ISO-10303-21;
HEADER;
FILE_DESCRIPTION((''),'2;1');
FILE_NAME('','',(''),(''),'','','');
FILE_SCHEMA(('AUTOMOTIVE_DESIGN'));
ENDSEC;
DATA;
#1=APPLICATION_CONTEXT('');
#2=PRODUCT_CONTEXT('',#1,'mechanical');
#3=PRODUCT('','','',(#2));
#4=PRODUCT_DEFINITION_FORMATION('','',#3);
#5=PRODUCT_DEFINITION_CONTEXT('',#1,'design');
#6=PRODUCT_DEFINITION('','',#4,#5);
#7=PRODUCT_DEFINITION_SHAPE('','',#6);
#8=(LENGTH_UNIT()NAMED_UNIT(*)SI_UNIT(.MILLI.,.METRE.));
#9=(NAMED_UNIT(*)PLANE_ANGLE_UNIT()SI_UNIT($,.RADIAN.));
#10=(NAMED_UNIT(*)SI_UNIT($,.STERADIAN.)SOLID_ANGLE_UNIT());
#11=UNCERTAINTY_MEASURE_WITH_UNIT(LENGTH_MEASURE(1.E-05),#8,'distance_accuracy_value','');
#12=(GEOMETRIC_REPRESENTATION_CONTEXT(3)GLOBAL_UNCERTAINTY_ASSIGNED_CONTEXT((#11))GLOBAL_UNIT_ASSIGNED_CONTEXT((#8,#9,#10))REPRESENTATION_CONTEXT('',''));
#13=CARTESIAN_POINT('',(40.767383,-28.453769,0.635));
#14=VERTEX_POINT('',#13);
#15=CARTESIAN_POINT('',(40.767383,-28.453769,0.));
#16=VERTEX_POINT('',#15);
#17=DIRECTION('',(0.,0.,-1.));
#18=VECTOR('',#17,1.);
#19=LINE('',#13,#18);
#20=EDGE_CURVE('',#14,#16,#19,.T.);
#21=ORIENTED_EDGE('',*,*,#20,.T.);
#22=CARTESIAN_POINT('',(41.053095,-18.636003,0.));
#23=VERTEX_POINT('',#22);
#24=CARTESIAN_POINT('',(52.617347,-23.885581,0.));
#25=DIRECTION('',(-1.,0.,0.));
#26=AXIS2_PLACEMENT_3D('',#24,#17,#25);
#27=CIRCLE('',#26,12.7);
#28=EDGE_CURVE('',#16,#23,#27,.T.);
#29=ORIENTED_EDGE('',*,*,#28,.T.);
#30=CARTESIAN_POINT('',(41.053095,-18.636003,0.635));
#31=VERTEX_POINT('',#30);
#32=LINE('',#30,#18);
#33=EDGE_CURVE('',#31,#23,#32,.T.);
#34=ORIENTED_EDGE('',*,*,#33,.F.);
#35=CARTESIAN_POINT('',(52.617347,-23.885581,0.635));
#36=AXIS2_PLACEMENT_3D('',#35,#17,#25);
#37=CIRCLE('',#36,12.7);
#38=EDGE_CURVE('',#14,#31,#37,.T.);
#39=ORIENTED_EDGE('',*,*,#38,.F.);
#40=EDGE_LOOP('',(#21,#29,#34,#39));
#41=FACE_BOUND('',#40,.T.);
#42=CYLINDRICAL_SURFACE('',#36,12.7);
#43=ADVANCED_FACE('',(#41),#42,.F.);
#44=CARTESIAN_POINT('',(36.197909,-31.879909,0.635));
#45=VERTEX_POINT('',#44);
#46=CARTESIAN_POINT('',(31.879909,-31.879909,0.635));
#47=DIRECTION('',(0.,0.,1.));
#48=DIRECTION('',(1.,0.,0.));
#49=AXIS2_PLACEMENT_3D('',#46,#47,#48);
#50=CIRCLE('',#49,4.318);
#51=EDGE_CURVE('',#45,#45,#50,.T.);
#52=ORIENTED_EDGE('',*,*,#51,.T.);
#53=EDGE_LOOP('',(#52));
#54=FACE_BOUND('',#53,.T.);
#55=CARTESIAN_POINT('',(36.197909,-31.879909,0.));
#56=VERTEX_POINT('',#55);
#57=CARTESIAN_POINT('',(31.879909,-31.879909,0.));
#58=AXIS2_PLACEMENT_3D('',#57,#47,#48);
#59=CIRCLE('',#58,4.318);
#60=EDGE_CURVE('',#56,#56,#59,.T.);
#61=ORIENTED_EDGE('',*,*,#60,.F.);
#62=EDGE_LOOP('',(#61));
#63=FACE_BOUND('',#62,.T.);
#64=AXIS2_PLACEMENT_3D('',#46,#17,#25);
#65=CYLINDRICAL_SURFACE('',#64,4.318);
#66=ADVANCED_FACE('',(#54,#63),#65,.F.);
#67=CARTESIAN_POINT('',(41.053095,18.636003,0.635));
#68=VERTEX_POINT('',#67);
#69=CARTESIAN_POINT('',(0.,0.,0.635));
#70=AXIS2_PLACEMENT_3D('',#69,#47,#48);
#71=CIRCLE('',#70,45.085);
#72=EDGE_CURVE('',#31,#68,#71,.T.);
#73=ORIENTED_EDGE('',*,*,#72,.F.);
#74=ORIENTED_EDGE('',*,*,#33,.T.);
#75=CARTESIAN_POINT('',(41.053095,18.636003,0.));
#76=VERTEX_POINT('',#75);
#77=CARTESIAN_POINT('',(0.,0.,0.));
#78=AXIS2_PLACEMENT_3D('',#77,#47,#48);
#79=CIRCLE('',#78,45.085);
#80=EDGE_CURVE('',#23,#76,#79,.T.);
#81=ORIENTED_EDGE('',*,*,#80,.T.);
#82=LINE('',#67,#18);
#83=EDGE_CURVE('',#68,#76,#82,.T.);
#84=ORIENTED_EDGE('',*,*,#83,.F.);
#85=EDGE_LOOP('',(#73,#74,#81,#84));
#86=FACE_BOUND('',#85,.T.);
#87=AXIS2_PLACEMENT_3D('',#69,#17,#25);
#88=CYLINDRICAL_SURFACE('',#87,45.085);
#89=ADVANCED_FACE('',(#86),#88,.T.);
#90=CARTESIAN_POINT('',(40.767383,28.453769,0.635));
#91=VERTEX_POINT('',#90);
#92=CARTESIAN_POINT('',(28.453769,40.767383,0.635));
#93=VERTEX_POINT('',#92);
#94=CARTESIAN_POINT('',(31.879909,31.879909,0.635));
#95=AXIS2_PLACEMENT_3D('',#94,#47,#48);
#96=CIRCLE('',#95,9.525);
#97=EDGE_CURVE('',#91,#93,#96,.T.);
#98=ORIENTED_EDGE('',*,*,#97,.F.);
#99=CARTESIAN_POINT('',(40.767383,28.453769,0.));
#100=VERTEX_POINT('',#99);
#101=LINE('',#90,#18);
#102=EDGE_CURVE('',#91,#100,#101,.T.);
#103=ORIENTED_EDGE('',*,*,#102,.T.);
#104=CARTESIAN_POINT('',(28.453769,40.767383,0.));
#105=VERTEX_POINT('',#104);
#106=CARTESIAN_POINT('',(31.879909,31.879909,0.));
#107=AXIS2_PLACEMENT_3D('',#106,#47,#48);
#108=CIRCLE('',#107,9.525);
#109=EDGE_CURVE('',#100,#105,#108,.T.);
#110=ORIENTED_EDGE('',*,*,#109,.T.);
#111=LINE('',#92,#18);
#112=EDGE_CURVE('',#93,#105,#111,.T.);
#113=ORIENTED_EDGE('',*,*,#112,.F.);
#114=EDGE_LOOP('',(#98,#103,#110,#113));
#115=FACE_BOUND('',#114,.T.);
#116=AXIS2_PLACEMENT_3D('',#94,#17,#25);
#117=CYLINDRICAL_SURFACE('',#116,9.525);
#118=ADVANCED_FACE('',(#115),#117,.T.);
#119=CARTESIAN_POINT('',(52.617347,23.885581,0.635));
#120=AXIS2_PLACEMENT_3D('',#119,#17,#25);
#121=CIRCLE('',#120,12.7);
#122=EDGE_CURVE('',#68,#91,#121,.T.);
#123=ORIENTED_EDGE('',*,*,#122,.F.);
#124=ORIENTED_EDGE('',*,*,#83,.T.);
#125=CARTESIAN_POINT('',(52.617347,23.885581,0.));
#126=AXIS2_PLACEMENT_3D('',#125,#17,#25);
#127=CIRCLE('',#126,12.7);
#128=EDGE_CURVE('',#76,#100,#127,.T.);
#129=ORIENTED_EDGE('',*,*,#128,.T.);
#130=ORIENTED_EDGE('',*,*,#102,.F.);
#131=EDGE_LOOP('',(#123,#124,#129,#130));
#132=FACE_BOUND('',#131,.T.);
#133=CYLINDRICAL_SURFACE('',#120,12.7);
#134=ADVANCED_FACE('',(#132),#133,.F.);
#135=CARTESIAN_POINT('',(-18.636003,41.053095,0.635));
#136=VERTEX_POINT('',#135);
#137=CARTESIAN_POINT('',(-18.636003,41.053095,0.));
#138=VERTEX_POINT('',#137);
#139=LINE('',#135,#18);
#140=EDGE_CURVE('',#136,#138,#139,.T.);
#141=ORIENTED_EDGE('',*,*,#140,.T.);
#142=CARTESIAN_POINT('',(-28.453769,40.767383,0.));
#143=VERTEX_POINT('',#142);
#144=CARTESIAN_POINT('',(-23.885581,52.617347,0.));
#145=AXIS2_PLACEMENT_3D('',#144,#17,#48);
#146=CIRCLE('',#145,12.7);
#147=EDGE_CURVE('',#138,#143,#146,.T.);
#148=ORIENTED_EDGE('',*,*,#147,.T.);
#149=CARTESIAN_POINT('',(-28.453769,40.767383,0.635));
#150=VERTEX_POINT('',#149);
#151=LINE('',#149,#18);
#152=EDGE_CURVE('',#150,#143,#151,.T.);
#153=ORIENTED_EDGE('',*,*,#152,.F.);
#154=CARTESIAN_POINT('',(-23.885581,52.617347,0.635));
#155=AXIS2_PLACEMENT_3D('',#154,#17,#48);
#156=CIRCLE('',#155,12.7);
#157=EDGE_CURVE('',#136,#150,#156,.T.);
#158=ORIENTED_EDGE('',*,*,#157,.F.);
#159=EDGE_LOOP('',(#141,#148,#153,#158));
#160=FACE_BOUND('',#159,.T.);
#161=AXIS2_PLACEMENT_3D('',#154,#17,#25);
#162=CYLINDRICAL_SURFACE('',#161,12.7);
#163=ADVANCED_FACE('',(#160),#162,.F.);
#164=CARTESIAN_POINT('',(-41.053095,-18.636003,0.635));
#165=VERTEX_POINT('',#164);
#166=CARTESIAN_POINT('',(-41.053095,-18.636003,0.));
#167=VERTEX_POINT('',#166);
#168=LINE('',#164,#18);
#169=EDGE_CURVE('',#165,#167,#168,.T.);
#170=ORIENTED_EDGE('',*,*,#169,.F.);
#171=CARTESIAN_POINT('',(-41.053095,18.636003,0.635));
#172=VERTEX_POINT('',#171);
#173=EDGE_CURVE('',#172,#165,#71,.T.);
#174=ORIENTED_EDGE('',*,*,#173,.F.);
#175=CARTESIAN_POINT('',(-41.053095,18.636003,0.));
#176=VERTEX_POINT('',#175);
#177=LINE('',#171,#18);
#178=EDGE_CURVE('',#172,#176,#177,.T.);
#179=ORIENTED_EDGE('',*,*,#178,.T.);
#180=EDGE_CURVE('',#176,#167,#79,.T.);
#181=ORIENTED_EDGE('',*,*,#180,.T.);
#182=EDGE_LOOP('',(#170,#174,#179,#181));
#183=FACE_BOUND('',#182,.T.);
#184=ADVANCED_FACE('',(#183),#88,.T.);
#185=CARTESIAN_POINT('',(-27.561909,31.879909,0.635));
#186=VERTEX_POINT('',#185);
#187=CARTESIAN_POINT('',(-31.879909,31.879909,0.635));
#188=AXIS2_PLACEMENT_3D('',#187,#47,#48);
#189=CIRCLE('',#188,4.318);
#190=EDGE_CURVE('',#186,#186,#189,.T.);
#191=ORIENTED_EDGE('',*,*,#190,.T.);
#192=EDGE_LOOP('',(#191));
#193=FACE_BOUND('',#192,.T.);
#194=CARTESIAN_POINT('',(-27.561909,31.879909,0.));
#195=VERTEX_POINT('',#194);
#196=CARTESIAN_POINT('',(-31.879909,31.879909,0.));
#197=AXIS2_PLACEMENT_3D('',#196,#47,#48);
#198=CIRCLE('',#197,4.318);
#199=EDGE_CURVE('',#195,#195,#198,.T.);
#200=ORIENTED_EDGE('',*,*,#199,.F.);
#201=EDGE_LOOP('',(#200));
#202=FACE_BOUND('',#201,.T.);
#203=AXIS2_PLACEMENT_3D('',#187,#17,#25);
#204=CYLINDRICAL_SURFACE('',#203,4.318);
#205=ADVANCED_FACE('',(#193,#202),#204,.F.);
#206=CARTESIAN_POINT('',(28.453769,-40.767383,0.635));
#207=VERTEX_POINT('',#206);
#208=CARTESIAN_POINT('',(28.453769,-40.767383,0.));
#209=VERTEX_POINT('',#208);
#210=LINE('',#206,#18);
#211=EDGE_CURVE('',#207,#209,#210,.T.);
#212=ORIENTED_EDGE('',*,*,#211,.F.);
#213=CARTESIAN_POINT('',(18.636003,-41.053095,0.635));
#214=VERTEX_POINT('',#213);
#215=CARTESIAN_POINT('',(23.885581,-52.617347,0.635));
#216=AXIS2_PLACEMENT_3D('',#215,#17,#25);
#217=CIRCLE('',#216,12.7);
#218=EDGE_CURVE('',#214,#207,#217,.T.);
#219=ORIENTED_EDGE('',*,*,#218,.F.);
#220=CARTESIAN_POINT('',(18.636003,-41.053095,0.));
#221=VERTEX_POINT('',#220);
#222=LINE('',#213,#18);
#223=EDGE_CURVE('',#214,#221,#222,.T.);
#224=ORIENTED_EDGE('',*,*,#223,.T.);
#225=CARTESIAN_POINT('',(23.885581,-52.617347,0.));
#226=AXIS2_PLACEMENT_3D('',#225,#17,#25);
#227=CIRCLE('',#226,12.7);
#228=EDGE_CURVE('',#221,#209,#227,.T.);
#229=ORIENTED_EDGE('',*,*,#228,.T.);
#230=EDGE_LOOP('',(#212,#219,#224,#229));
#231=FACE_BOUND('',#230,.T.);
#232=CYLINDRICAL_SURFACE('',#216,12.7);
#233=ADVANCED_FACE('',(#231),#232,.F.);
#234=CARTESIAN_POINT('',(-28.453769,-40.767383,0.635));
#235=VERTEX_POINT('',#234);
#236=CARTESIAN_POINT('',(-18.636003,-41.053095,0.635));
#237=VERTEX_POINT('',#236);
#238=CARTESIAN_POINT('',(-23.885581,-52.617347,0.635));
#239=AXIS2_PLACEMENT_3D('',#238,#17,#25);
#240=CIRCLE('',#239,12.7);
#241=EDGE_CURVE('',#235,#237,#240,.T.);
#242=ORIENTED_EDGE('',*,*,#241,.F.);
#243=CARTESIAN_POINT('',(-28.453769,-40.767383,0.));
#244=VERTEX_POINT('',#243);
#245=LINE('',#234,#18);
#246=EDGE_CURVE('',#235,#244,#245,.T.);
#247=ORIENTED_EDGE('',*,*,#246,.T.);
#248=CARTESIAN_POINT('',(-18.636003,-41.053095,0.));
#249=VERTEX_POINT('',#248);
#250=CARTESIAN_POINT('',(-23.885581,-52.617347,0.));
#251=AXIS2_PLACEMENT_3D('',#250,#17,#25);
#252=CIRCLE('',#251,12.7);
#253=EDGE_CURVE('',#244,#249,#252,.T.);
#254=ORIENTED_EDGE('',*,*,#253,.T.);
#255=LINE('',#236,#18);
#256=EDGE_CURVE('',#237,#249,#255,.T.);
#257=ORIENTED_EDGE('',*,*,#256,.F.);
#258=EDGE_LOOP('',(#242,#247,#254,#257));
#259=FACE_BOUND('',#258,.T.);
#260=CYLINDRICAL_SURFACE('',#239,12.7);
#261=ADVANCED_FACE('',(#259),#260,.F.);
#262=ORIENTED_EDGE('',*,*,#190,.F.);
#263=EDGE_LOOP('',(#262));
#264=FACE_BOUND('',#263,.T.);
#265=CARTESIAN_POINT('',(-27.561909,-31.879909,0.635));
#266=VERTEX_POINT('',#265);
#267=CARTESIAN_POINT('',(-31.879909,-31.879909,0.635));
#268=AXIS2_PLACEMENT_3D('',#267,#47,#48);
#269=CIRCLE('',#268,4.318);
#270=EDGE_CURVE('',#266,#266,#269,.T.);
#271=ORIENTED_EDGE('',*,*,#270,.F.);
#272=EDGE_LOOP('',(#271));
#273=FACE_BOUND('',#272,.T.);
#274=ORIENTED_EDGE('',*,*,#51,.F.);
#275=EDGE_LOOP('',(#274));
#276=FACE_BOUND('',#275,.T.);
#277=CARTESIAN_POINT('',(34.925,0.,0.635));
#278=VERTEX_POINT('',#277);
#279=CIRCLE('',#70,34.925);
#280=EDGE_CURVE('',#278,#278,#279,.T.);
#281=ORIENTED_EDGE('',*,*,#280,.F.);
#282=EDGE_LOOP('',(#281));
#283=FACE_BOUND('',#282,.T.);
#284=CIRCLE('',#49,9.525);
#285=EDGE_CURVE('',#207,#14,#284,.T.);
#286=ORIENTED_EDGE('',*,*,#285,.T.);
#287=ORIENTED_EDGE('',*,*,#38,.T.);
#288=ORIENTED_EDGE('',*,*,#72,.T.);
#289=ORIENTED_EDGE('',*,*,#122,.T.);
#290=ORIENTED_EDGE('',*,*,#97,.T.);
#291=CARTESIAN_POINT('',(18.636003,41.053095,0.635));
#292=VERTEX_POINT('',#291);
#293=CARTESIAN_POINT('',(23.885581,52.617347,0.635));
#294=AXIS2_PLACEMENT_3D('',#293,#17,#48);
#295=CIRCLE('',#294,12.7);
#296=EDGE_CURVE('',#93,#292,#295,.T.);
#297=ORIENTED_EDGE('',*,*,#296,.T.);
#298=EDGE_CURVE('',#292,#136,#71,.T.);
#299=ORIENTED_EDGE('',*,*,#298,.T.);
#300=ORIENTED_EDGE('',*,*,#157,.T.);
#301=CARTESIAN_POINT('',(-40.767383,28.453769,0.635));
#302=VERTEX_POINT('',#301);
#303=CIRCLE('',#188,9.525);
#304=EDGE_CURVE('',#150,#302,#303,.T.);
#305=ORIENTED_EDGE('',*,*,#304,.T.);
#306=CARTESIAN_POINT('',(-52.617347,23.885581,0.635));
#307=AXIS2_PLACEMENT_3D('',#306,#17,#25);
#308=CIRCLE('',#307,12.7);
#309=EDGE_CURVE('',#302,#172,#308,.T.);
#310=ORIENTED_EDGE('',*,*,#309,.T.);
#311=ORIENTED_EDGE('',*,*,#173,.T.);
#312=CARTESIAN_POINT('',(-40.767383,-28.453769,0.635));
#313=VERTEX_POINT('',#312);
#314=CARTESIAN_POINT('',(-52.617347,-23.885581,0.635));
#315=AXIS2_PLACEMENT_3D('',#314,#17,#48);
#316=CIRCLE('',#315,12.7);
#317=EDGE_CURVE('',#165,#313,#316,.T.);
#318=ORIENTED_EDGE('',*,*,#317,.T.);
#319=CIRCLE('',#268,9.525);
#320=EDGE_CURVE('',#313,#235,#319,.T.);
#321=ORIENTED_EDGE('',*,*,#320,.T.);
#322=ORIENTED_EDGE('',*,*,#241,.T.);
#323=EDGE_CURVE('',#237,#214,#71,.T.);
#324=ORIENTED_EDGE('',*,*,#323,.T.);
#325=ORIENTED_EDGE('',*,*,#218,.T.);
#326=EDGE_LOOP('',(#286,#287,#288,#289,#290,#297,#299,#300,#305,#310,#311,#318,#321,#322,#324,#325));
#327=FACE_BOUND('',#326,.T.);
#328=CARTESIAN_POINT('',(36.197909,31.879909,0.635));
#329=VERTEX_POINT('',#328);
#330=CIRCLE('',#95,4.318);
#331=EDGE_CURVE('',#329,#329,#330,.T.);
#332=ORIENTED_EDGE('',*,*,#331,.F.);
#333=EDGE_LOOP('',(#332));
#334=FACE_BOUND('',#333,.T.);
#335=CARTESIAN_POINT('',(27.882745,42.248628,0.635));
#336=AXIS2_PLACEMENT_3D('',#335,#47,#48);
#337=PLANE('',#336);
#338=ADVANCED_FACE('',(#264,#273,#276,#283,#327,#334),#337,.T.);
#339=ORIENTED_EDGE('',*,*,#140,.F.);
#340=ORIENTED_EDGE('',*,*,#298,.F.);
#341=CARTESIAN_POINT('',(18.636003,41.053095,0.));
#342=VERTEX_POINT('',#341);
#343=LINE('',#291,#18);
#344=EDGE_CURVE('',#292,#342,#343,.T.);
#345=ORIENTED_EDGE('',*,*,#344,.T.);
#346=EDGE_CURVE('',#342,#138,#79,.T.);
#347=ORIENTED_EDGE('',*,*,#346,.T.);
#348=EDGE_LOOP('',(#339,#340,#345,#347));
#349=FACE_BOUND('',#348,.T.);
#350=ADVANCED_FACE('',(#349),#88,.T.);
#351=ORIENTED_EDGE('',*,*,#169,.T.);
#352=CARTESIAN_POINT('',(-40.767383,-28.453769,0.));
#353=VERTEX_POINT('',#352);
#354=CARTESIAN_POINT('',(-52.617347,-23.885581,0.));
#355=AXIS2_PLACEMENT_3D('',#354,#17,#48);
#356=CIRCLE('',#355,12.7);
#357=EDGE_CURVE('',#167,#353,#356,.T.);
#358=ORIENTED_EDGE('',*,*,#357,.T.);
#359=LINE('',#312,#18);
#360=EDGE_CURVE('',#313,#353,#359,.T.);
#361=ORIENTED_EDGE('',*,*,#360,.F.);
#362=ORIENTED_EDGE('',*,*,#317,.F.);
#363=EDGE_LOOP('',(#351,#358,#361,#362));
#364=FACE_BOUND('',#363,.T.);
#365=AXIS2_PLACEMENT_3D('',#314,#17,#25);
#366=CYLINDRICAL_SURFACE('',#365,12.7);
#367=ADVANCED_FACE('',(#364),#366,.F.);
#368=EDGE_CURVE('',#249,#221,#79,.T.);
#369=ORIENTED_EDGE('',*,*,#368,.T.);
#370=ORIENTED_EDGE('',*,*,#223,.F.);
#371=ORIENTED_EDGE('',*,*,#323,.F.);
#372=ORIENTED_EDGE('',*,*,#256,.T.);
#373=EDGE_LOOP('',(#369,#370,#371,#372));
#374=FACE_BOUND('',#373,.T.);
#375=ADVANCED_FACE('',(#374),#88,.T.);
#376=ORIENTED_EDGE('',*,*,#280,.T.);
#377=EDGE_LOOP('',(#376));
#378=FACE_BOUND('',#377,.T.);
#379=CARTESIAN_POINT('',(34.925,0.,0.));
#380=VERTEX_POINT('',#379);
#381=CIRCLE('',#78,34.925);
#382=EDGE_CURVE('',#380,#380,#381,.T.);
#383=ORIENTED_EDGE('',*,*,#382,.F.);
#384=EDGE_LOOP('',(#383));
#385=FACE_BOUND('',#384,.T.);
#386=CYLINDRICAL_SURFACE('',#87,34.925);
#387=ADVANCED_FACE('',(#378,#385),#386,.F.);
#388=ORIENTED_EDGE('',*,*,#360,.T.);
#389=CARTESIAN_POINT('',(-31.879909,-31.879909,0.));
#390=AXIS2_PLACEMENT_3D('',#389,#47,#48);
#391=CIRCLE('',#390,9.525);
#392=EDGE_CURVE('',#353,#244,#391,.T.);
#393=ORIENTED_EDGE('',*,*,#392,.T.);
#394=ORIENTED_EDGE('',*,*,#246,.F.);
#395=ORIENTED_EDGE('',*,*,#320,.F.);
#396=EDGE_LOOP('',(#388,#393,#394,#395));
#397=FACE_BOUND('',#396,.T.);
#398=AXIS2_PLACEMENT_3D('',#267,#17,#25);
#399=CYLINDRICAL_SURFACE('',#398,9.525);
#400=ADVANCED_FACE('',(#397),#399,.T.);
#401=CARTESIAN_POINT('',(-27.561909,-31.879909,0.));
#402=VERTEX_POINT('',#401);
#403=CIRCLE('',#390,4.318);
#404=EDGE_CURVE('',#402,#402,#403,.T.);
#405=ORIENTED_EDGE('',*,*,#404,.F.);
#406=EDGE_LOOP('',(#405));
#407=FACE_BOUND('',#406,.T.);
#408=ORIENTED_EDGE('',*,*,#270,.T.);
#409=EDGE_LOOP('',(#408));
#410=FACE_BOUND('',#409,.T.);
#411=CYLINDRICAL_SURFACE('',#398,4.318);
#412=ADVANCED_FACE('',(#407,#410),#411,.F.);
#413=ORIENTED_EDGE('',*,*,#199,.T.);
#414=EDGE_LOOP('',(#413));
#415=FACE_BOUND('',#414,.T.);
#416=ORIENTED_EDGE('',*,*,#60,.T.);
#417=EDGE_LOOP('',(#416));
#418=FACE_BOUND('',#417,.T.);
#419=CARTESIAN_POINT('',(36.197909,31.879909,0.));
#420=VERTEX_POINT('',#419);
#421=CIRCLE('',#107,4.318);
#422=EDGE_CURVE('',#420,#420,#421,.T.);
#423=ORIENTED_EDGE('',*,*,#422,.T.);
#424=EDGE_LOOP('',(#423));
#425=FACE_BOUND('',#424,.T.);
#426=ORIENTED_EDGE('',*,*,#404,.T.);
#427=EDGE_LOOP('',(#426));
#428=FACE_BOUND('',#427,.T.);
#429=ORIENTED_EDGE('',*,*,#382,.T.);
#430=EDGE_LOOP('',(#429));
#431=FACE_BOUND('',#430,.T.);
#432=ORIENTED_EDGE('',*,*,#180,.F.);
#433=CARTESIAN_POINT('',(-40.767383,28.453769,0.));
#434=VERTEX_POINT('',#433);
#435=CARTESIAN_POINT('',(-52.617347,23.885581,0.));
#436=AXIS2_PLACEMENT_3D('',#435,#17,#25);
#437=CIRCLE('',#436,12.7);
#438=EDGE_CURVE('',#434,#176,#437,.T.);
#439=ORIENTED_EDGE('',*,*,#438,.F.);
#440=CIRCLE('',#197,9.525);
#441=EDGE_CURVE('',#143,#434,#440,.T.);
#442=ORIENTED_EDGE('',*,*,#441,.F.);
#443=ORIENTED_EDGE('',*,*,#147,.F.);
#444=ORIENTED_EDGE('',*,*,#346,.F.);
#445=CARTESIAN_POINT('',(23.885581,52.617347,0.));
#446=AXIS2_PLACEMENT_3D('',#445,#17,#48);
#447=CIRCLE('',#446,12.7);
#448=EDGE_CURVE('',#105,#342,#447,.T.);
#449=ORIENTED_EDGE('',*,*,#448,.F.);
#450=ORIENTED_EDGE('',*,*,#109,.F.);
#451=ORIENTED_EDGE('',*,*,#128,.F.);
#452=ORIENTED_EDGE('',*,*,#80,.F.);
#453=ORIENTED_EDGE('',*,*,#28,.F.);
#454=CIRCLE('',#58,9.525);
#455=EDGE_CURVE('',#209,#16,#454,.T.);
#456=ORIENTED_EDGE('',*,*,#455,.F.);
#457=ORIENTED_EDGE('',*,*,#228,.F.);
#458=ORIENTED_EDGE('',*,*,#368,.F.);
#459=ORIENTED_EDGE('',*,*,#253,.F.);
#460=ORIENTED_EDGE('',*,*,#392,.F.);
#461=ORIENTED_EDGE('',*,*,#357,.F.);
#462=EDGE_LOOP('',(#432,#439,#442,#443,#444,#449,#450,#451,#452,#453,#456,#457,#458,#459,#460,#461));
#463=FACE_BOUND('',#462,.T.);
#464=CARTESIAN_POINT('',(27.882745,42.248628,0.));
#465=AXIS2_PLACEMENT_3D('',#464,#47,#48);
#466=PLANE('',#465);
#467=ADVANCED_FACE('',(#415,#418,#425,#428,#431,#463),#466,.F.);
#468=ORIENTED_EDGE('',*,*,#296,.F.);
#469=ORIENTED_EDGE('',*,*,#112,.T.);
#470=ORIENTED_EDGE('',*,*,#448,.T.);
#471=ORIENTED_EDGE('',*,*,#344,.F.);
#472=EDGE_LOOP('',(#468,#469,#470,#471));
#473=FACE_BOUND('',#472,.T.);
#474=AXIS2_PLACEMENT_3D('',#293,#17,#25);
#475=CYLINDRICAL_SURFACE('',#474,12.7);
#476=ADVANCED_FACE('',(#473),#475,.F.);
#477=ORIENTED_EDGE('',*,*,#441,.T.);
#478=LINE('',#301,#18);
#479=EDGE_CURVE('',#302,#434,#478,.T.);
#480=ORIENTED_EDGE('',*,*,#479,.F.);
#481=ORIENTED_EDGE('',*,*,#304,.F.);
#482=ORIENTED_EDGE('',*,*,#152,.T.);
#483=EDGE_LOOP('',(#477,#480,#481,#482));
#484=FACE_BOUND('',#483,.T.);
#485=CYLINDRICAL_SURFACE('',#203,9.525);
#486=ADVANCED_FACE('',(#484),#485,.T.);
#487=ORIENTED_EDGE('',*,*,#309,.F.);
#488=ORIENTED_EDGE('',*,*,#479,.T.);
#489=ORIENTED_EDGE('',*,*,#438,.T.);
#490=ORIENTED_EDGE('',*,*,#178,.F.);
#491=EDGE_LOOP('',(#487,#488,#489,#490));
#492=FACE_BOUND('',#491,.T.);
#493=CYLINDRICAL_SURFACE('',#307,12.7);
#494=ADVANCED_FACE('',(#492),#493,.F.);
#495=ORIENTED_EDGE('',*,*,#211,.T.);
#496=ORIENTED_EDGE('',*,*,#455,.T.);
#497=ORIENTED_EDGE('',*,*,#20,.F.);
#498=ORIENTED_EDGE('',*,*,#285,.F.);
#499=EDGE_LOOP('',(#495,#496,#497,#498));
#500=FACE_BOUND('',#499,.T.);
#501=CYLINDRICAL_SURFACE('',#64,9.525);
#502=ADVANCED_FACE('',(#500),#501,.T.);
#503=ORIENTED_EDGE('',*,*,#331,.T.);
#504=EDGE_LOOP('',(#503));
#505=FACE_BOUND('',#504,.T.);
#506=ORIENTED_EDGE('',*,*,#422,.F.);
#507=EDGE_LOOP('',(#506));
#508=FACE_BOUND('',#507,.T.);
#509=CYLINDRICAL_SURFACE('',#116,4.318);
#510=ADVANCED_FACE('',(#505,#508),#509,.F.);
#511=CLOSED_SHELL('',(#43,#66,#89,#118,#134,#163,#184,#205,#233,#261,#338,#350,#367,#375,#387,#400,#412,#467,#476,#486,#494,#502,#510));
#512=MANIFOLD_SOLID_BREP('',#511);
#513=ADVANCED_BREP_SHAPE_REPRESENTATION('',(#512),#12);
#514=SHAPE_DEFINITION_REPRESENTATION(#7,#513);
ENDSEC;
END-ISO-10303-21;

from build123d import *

# Parameters (mm, degrees)
SKETCH1_R           = 34.925
SKETCH1_R_2         = 4.318
BOSS_EXTRUDE1_DEPTH = 0.635


with BuildPart() as part:
    # Sketch1 → Boss-Extrude1 (new body)
    with BuildSketch(Plane.XY):
        with BuildLine():
            ThreePointArc((-41.05309521, 18.636002755), (-45.085, 0), (-41.05309521, -18.636002755))
            ThreePointArc((-41.05309521, -18.636002755), (-39.922721795, -23.516147348), (-40.767382723, -28.453768558))
            ThreePointArc((-40.767382723, -28.453768558), (-38.615101321, -38.615101321), (-28.453768558, -40.767382723))
            ThreePointArc((-28.453768558, -40.767382723), (-23.516147348, -39.922721795), (-18.636002755, -41.05309521))
            ThreePointArc((-18.636002755, -41.05309521), (0, -45.085), (18.636002755, -41.05309521))
            ThreePointArc((18.636002755, -41.05309521), (23.516147348, -39.922721795), (28.453768558, -40.767382723))
            ThreePointArc((28.453768558, -40.767382723), (38.615101321, -38.615101321), (40.767382723, -28.453768558))
            ThreePointArc((40.767382723, -28.453768558), (39.922721795, -23.516147348), (41.05309521, -18.636002755))
            ThreePointArc((41.05309521, -18.636002755), (45.085, 0), (41.05309521, 18.636002755))
            ThreePointArc((41.05309521, 18.636002755), (39.922721795, 23.516147348), (40.767382723, 28.453768558))
            ThreePointArc((40.767382723, 28.453768558), (38.615101321, 38.615101321), (28.453768558, 40.767382723))
            ThreePointArc((28.453768558, 40.767382723), (23.516147348, 39.922721795), (18.636002755, 41.05309521))
            ThreePointArc((18.636002755, 41.05309521), (0, 45.085), (-18.636002755, 41.05309521))
            ThreePointArc((-18.636002755, 41.05309521), (-23.516147348, 39.922721795), (-28.453768558, 40.767382723))
            ThreePointArc((-28.453768558, 40.767382723), (-38.615101321, 38.615101321), (-40.767382723, 28.453768558))
            ThreePointArc((-40.767382723, 28.453768558), (-39.922721795, 23.516147348), (-41.05309521, 18.636002755))
        make_face()
        Circle(SKETCH1_R, mode=Mode.SUBTRACT)
        with Locations((31.87990923, 31.87990923)):
            Circle(SKETCH1_R_2, mode=Mode.SUBTRACT)
        with Locations((-31.87990923, 31.87990923)):
            Circle(SKETCH1_R_2, mode=Mode.SUBTRACT)
        with Locations((-31.87990923, -31.87990923)):
            Circle(SKETCH1_R_2, mode=Mode.SUBTRACT)
        with Locations((31.87990923, -31.87990923)):
            Circle(SKETCH1_R_2, mode=Mode.SUBTRACT)
    extrude(amount=BOSS_EXTRUDE1_DEPTH)


solid = part.part
